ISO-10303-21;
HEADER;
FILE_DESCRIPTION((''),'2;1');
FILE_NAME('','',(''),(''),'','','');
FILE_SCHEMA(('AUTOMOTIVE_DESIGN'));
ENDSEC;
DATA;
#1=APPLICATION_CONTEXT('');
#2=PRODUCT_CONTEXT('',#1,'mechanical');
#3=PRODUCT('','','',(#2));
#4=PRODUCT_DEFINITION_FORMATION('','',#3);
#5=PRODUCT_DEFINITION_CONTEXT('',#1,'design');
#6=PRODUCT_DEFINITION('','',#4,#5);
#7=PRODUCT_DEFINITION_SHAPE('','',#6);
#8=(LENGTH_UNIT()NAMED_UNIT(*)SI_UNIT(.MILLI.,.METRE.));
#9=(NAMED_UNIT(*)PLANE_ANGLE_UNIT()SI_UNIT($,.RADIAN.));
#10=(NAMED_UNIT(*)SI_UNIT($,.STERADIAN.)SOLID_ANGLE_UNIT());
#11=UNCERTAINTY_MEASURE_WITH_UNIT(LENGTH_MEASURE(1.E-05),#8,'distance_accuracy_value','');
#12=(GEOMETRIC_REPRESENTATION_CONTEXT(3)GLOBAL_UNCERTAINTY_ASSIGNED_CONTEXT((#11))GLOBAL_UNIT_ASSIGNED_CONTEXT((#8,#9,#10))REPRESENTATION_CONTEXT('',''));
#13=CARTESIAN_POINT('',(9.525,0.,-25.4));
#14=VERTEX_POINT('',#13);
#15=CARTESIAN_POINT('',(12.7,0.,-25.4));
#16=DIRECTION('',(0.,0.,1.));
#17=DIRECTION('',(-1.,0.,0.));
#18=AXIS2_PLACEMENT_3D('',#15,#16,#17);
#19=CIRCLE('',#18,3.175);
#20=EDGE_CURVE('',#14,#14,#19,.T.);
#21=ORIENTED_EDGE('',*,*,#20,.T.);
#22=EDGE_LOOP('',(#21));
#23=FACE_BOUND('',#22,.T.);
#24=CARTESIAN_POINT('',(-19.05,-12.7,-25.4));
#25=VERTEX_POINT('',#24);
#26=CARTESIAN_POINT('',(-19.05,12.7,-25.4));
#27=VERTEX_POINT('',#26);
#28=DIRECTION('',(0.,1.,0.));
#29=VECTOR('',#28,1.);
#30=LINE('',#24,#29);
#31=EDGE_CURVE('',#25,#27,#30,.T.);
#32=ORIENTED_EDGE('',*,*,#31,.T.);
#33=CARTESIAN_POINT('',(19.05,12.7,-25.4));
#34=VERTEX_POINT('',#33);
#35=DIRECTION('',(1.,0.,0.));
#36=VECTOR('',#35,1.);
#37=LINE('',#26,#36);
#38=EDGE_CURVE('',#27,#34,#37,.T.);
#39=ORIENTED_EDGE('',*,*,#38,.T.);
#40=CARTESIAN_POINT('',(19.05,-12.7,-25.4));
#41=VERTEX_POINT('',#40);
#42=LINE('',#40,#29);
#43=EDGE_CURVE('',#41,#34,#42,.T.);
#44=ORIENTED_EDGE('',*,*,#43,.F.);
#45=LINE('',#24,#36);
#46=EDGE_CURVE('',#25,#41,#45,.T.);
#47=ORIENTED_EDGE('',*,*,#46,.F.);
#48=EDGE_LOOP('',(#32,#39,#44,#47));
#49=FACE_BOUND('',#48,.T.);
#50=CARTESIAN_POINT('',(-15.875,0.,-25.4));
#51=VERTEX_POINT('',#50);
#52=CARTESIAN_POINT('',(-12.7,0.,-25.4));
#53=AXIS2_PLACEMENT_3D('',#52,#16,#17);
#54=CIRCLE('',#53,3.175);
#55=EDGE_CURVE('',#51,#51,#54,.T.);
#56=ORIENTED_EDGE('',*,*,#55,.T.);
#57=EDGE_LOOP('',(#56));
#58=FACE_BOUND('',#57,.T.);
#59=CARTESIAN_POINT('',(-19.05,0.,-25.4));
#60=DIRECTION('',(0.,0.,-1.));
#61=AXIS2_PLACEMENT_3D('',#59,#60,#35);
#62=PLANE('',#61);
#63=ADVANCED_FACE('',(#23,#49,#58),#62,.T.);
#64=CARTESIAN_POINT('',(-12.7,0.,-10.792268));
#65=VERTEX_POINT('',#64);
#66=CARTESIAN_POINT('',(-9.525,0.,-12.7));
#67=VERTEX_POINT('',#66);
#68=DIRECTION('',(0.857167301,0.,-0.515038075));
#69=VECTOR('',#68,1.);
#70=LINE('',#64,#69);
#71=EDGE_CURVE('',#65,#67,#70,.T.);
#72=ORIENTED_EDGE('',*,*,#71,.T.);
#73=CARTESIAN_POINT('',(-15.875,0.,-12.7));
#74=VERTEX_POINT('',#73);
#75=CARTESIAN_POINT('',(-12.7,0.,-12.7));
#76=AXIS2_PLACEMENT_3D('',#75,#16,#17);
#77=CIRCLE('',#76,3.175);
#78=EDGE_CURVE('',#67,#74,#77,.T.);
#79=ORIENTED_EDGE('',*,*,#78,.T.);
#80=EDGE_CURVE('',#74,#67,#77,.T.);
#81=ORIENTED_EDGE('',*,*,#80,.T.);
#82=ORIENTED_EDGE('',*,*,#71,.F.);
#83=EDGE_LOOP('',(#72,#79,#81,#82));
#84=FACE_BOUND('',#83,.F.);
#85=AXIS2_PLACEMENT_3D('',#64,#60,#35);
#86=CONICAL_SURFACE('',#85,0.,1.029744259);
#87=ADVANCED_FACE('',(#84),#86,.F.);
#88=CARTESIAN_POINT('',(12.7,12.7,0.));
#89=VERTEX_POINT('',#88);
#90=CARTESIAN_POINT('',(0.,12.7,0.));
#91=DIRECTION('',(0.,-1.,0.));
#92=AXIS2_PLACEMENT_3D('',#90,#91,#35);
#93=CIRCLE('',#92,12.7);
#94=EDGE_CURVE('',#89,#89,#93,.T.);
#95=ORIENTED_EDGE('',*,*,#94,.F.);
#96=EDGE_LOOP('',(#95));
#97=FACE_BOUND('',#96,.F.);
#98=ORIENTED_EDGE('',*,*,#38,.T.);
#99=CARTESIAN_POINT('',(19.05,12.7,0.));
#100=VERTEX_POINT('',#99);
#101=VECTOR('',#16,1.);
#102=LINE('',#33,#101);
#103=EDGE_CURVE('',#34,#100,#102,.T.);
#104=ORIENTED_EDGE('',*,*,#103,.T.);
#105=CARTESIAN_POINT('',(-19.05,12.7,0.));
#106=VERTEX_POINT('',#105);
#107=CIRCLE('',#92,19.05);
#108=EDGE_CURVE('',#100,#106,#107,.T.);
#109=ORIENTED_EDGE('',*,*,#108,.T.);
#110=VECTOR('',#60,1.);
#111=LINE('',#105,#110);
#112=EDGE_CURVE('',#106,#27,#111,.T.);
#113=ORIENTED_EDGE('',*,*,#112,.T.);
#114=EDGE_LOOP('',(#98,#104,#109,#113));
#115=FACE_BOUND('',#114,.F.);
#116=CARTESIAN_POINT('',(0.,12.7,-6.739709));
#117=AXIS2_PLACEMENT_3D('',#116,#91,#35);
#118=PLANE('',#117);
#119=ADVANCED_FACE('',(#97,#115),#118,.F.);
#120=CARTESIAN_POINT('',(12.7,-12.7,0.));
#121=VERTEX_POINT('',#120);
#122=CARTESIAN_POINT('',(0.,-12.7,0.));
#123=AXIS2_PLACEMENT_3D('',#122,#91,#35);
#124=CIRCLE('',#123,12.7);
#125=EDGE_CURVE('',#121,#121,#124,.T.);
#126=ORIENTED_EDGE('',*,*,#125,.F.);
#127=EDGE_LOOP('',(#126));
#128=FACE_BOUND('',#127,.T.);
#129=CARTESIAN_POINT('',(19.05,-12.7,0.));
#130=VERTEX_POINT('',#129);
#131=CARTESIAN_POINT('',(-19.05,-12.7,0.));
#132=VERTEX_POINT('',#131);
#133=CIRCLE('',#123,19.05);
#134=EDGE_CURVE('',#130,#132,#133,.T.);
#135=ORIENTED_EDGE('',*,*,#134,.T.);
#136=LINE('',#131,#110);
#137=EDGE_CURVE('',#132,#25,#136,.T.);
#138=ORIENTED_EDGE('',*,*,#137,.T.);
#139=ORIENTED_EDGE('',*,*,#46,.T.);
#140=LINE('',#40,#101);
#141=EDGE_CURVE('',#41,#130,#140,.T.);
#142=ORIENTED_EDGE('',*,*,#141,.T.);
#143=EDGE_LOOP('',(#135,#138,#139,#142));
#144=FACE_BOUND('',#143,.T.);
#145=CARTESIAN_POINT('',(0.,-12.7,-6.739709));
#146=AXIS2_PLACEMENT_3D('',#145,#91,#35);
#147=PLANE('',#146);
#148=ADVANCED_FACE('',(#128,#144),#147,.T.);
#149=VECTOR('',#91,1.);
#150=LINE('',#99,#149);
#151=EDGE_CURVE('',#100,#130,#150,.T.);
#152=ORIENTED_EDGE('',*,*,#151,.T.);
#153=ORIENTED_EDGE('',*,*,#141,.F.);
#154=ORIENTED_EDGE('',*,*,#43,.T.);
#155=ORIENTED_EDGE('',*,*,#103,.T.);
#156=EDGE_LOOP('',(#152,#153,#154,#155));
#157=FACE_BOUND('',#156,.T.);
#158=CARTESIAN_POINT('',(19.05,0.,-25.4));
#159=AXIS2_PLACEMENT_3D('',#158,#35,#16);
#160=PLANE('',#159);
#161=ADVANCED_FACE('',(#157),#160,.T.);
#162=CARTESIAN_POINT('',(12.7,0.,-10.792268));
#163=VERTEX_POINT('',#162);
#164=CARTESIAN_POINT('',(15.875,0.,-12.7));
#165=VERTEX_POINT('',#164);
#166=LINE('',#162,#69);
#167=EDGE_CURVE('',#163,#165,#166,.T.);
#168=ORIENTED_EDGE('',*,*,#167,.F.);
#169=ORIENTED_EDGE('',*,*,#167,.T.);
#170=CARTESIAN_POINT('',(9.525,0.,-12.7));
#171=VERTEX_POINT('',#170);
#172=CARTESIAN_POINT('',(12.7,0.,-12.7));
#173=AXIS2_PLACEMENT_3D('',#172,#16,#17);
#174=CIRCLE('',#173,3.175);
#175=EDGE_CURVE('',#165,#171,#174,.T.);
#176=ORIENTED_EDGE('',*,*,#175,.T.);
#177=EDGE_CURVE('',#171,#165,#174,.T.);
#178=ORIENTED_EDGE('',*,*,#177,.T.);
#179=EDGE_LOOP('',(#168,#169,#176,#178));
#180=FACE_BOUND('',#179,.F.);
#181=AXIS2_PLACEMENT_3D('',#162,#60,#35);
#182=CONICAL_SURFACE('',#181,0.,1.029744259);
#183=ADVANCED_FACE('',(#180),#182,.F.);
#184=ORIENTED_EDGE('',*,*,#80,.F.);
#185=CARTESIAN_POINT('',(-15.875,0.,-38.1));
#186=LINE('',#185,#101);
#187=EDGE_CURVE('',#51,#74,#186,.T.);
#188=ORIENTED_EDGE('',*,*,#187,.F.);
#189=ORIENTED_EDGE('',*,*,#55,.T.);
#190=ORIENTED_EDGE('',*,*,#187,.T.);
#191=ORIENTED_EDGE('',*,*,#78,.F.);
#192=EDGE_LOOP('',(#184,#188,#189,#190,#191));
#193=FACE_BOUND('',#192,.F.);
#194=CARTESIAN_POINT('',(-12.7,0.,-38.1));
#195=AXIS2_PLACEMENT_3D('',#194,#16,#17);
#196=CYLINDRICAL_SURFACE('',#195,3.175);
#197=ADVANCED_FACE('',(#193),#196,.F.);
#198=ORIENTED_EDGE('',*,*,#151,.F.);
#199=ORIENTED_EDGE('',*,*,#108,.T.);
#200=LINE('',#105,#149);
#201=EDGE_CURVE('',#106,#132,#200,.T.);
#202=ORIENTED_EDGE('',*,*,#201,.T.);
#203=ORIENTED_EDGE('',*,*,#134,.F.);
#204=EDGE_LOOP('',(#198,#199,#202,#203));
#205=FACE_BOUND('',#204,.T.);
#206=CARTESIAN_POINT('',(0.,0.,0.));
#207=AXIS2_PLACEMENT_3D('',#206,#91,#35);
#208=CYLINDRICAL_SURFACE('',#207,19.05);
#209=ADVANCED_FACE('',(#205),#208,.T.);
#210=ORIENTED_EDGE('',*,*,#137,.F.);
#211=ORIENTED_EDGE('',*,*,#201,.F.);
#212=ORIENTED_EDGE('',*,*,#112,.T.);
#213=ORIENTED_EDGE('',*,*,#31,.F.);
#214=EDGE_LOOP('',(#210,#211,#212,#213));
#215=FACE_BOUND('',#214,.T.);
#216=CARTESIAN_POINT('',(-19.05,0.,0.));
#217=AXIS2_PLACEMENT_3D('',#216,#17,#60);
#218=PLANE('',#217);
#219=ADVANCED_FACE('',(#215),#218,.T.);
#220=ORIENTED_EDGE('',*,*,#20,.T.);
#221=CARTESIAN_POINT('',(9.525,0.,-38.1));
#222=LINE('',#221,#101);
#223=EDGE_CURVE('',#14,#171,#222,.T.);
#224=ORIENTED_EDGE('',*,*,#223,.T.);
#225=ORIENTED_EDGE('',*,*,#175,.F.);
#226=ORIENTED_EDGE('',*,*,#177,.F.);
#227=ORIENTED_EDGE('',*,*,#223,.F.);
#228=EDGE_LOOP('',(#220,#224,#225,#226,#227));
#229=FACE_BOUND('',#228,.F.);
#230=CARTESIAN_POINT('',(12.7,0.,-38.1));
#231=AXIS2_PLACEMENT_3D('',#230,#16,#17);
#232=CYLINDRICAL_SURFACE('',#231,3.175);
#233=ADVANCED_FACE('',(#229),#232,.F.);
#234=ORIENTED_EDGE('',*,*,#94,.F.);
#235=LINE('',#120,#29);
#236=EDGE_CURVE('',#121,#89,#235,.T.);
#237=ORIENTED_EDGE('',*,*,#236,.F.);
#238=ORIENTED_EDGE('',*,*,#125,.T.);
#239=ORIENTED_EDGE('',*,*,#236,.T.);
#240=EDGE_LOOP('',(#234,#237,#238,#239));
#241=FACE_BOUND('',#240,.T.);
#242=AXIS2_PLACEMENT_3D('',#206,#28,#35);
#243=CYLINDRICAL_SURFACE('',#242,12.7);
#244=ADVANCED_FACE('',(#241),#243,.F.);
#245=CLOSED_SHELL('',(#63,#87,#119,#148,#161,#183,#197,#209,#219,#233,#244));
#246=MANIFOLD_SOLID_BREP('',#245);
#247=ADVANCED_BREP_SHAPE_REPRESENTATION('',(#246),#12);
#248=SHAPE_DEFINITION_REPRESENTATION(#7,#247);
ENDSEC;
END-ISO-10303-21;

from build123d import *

# Parameters (mm, degrees)
F0_R     = 12.7
F1_DEPTH = 12.7
F3_D     = 6.35
F3_DEPTH = 12.7
F3_TIP   = 1.9077324654


with BuildPart() as f1:
    # F0 (on Front) → F1 (new body, symmetric)
    with BuildSketch(Plane.XZ):
        with BuildLine():
            Line((19.05, -25.4), (19.05, 0))
            ThreePointArc((19.05, 0), (0, 19.05), (-19.05, 0))
            Line((-19.05, 0), (-19.05, -25.4))
            Line((-19.05, -25.4), (19.05, -25.4))
        make_face()
        Circle(F0_R, mode=Mode.SUBTRACT)
    extrude(amount=F1_DEPTH, both=True)

    # F3
    with Locations(Plane(origin=(0, 0, -25.4), x_dir=(1, 0, 0), z_dir=(0, 0, -1))):
        with Locations((-12.7, 0), (12.7, 0)):
            Hole(F3_D / 2, depth=F3_DEPTH)
            with Locations((0, 0, -(F3_DEPTH + F3_TIP / 2))):  # 118° drill point
                Cone(0, F3_D / 2, F3_TIP, mode=Mode.SUBTRACT)


solid = f1.part
